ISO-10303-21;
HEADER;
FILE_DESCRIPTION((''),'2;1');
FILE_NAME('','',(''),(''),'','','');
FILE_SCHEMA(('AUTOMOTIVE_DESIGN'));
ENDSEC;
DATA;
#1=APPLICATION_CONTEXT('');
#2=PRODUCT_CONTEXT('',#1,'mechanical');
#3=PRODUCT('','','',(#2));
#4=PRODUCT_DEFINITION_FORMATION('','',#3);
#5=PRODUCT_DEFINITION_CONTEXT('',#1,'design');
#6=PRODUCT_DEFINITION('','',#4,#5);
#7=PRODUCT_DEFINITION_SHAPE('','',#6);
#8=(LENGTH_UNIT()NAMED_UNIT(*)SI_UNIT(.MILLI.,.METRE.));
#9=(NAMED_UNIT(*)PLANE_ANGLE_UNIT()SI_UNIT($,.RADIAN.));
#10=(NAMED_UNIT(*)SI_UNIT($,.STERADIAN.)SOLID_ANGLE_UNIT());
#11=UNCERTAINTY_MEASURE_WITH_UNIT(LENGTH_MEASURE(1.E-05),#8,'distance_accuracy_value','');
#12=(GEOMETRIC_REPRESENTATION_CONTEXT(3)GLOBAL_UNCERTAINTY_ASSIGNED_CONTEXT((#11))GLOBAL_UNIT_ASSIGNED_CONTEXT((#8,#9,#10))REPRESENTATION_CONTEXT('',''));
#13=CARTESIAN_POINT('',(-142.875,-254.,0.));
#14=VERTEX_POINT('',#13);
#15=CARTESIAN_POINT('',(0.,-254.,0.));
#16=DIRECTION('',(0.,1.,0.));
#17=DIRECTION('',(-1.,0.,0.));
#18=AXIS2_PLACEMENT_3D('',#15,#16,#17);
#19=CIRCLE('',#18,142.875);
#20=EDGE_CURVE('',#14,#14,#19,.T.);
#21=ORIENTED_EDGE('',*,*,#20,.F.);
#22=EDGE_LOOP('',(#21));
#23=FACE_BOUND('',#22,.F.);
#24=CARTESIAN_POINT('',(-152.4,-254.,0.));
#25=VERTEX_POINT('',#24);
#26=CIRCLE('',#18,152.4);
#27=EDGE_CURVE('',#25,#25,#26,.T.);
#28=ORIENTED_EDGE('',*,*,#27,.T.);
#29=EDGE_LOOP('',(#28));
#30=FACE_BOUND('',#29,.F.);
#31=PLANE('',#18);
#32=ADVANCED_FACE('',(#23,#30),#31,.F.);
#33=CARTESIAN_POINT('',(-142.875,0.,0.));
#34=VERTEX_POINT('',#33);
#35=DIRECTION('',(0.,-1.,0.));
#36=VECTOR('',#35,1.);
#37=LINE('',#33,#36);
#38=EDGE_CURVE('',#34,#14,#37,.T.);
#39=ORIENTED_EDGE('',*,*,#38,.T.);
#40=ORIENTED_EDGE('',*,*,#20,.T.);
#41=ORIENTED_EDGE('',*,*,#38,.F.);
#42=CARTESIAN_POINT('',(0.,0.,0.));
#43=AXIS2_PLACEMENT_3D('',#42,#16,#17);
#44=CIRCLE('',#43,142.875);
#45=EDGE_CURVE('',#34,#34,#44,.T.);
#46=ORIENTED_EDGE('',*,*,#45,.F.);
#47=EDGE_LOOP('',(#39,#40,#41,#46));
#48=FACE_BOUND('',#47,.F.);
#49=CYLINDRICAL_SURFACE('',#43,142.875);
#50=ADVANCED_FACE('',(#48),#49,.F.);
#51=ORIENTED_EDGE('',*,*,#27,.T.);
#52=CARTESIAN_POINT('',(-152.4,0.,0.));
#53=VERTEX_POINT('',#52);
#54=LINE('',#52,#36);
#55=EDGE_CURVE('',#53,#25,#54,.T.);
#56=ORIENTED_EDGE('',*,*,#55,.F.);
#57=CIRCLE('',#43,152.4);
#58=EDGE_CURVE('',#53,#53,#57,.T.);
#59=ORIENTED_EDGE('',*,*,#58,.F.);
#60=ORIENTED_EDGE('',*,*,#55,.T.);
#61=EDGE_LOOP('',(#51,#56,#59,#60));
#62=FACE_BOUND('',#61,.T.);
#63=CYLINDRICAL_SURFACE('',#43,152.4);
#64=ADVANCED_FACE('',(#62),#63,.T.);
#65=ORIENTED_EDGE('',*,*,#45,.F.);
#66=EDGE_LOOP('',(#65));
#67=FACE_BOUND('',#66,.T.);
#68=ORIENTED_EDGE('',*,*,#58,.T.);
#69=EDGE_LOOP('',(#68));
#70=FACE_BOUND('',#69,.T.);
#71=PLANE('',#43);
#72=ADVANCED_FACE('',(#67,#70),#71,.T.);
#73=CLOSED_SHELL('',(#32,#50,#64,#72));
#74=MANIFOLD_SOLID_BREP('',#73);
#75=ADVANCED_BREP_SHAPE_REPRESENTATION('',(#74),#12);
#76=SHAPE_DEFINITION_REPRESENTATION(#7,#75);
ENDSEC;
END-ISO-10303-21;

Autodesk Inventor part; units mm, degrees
ref_plane "YZ Plane" through (0, 0, 0) normal (1, 0, 0) x (0, 1, 0)
ref_plane "XZ Plane" through (0, 0, 0) normal (0, 1, 0) x (-1, 0, 0)
ref_plane "XY Plane" through (0, 0, 0) normal (0, 0, 1) x (1, 0, 0)
sketch "Sketch1" plane through (0, 0, 0) normal (0, 1, 0) x (-1, 0, 0)
  circle A0 centre (0, 0) radius 152.4
  circle A1 centre (0, 0) radius 142.875
  dimension "d0" = 304.8
  dimension "d2" = 9.525
extrude "Extrusion1" add sketch "Sketch1" against normal blind 254
properties part number "2p3sono"
